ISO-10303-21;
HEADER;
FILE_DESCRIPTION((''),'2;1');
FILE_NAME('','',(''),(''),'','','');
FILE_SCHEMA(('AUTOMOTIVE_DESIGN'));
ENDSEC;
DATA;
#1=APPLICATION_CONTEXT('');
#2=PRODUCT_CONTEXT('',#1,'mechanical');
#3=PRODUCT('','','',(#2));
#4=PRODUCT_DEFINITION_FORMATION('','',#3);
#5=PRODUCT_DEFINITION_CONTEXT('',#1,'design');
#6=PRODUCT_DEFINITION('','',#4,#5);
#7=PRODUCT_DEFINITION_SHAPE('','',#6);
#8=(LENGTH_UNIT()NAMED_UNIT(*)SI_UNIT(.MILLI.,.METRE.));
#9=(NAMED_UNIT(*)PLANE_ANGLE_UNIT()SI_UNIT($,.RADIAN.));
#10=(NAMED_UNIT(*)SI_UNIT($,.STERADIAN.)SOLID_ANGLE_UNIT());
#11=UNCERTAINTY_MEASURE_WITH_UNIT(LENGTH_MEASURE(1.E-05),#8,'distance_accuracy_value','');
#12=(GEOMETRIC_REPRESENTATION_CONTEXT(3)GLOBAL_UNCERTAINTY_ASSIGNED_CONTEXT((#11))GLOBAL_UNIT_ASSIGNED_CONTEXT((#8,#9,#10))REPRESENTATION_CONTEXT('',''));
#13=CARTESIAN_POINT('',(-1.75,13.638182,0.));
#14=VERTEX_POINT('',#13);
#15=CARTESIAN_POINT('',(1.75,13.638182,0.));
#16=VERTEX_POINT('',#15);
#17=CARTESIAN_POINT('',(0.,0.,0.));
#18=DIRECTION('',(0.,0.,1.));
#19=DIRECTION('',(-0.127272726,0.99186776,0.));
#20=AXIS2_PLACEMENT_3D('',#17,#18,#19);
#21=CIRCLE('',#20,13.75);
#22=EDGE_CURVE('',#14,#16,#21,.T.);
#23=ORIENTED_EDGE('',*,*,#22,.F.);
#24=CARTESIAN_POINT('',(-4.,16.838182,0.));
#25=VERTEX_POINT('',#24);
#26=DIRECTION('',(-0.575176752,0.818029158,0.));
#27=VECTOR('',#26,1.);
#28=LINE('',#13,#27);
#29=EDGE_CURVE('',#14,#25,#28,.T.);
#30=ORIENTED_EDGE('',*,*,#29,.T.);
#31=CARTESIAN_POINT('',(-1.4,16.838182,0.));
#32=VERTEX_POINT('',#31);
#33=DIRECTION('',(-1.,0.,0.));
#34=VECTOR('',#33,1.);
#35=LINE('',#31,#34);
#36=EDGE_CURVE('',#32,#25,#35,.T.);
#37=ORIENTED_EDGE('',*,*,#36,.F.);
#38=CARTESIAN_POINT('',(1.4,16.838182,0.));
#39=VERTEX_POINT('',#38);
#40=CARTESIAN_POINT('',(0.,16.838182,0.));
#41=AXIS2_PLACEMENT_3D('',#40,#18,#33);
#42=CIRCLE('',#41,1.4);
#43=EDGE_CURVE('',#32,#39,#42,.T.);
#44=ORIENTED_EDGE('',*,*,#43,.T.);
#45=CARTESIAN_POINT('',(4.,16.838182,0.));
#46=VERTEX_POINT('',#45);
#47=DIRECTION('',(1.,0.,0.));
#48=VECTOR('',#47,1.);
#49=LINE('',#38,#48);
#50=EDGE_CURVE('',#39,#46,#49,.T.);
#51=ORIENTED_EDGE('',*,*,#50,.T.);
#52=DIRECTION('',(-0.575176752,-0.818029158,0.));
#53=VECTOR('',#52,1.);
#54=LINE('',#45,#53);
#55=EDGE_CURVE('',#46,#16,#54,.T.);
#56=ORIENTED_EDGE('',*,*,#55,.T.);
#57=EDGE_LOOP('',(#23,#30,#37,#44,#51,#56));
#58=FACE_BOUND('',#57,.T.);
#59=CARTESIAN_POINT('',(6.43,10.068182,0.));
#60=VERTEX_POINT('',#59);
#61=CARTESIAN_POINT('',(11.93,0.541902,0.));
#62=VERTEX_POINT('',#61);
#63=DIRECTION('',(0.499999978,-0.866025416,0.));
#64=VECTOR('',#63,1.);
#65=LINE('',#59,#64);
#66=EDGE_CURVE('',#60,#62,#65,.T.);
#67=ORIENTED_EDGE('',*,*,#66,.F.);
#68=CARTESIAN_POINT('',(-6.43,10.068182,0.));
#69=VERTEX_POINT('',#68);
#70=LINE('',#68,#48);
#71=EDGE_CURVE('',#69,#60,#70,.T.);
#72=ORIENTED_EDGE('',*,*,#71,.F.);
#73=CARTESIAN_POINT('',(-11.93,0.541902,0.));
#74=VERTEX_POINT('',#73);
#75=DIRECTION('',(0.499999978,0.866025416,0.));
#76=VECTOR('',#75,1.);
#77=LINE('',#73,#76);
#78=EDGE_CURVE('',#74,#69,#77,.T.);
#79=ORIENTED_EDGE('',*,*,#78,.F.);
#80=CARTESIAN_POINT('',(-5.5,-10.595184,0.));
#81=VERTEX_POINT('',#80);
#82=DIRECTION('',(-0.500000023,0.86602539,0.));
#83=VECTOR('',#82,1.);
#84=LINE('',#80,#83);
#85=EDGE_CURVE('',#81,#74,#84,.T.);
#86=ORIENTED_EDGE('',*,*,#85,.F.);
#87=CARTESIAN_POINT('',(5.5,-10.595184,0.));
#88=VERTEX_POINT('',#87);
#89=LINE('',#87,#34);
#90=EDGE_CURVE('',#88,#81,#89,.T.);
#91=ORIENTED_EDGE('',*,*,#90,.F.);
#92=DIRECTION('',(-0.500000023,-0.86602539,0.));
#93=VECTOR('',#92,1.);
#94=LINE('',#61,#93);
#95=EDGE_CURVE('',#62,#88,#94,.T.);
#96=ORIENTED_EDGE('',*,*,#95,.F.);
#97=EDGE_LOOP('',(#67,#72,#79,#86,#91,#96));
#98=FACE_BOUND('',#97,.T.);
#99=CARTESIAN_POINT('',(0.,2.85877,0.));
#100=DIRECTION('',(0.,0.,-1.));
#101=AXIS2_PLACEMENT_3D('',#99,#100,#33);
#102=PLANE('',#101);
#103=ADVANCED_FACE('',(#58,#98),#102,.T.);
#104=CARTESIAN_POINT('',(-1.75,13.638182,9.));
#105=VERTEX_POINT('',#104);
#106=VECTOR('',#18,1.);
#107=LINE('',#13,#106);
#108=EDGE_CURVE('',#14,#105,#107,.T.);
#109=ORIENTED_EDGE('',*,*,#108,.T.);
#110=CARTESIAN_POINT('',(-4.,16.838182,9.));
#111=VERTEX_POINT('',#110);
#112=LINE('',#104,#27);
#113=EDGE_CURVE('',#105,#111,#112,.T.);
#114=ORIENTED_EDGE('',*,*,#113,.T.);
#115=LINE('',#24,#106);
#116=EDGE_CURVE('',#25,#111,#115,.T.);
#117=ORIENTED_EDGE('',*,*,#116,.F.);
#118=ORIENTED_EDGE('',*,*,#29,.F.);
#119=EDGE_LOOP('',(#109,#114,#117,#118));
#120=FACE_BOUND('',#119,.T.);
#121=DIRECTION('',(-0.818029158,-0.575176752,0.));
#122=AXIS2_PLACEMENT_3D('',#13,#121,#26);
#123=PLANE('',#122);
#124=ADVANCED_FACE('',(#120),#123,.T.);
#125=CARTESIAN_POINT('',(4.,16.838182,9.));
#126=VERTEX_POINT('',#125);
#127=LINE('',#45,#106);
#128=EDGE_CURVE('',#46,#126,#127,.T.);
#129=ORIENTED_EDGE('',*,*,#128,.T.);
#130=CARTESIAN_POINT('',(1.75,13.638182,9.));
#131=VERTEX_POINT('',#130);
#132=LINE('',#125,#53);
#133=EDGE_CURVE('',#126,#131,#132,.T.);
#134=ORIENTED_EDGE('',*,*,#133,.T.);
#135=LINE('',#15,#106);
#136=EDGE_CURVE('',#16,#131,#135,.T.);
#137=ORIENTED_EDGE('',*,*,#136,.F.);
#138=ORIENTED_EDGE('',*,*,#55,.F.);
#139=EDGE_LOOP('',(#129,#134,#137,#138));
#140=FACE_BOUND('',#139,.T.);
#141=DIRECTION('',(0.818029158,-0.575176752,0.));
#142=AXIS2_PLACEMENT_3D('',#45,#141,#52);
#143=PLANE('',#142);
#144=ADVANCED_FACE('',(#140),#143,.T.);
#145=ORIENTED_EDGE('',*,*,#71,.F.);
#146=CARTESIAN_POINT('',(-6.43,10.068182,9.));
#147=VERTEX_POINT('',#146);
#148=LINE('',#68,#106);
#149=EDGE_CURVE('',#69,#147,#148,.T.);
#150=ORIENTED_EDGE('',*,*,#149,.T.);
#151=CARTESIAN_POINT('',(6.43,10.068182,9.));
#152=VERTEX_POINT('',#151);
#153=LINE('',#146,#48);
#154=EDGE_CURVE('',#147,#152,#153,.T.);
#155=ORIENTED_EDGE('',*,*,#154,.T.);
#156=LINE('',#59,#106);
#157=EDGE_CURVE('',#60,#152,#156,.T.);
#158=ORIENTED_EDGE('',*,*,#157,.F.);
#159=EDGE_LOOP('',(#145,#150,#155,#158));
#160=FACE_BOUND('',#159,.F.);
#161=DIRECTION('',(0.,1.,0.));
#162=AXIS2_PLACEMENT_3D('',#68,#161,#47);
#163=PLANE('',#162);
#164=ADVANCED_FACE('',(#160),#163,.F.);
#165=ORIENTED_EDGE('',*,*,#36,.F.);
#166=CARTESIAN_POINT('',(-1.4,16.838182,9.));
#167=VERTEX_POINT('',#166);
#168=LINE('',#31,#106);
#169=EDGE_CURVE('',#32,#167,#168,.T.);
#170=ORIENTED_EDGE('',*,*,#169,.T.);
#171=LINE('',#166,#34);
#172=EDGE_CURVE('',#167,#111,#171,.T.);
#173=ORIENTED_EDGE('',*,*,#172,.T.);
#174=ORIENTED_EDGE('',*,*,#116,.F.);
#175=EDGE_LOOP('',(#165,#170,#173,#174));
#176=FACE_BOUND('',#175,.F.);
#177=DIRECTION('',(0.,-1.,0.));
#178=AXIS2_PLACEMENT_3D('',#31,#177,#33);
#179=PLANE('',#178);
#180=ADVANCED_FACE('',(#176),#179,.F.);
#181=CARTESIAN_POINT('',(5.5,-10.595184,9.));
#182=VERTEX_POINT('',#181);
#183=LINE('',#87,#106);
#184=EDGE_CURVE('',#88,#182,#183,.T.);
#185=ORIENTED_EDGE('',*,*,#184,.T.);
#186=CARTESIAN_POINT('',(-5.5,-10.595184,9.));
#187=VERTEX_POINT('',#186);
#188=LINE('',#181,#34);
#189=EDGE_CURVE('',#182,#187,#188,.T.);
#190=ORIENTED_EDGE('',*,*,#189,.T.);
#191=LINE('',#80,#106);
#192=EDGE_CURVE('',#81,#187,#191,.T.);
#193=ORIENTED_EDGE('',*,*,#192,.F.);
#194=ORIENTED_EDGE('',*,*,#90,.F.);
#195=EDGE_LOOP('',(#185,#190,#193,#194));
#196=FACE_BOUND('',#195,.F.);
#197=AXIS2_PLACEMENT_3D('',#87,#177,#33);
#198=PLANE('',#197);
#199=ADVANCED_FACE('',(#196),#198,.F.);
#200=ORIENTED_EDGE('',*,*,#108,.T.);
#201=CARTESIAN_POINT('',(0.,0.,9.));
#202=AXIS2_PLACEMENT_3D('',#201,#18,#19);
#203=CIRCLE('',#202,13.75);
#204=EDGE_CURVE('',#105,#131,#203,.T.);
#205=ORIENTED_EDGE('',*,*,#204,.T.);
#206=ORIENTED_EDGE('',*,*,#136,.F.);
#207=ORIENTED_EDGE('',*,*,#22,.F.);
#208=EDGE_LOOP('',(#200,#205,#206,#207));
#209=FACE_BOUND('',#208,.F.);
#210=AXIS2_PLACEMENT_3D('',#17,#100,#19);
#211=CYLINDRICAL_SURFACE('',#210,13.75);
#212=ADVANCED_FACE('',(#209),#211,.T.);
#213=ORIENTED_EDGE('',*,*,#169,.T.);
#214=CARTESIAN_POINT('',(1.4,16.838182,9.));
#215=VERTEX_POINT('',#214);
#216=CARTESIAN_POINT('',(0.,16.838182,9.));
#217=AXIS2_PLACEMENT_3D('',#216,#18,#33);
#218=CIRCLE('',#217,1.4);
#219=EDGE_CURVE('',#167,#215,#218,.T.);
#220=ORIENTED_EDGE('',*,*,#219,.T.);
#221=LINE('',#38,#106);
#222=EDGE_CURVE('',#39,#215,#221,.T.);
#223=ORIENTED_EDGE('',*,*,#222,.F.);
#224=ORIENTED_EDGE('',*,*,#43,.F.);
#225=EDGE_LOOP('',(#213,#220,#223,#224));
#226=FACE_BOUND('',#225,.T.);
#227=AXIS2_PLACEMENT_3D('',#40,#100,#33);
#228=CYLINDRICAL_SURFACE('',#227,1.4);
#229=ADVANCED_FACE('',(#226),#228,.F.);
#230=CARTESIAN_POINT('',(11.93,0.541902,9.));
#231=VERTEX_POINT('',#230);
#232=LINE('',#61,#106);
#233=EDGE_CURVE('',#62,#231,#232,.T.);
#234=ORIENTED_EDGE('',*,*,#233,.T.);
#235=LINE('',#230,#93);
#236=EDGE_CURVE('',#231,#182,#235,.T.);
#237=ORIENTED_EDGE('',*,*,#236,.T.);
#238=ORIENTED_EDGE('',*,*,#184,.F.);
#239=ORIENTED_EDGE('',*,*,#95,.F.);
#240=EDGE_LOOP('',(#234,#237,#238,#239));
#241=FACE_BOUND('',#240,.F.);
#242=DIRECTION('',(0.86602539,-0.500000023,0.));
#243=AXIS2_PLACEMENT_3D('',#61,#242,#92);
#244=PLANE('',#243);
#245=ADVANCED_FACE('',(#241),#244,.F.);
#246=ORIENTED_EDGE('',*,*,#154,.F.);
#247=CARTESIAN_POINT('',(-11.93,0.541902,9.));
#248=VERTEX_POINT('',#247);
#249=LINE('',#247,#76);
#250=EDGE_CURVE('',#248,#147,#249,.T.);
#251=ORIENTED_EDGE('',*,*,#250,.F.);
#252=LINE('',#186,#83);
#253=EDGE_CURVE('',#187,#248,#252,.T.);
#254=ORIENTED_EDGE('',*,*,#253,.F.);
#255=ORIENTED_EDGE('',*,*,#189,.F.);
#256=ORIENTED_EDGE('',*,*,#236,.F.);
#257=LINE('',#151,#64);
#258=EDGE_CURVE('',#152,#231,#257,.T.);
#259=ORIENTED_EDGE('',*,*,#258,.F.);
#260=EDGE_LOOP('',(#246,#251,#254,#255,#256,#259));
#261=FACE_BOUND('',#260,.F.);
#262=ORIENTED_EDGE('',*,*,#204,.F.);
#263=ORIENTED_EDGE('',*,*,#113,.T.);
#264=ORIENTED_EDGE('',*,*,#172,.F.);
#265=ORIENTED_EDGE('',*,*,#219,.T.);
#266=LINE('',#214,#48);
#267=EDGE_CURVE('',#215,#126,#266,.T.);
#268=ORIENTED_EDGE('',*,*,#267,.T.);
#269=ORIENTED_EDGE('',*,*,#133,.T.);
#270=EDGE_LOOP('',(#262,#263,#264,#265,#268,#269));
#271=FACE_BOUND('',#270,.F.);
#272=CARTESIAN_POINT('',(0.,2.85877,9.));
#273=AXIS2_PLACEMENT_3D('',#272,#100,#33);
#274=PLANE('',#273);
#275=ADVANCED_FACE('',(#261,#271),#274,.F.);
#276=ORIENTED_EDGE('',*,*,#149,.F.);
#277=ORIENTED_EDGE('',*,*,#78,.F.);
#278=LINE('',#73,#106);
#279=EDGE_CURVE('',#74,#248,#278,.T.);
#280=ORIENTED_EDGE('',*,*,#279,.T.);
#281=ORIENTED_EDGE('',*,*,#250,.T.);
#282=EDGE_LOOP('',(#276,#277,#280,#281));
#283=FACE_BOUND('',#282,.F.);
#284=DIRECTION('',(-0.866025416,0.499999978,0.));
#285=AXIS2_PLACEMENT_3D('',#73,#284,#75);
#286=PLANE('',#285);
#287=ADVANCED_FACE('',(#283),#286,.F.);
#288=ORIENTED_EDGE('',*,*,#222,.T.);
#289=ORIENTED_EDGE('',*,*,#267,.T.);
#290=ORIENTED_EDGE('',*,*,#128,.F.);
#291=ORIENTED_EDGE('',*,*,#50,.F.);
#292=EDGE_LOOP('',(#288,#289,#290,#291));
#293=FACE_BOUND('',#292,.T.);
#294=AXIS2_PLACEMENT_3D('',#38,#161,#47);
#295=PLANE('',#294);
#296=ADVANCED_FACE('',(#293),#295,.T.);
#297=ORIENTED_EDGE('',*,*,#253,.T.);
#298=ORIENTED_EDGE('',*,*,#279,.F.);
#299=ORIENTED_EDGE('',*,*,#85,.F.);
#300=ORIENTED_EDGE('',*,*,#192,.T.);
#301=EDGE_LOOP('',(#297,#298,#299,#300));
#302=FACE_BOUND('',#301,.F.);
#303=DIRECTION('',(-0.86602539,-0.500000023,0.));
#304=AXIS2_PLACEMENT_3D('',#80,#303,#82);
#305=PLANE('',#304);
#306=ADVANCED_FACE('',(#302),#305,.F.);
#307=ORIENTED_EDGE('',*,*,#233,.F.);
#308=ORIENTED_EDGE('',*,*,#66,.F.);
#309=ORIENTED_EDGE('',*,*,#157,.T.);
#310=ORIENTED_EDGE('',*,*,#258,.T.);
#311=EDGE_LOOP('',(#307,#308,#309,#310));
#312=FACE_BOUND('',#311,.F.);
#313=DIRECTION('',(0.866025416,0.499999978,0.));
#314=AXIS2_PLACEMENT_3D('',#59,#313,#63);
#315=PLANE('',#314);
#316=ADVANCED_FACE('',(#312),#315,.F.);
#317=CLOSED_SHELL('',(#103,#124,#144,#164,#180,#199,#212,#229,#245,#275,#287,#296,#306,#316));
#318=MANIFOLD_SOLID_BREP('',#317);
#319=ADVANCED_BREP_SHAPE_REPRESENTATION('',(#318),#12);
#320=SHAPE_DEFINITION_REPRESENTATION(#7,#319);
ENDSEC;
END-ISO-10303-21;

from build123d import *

# Parameters (mm, degrees)
PAD_DEPTH = 9


with BuildPart() as part:
    # Sketch → Pad (new body)
    with BuildSketch(Plane.XY):
        with BuildLine():
            Line((-1.75, 13.638182), (-4, 16.838182))
            Line((-1.4, 16.838182), (-4, 16.838182))
            ThreePointArc((-1.4, 16.838182), (0, 15.438182), (1.4, 16.838182))
            Line((1.4, 16.838182), (4, 16.838182))
            Line((4, 16.838182), (1.75, 13.638182))
            ThreePointArc((-1.75, 13.638182), (0, -13.75), (1.75, 13.638182))
        make_face()
        Polygon((-6.43, 10.068182), (6.43, 10.068182), (11.93, 0.541902), (5.5, -10.595184), (-5.5, -10.595184), (-11.93, 0.541902), align=None, mode=Mode.SUBTRACT)
    extrude(amount=PAD_DEPTH)


solid = part.part
